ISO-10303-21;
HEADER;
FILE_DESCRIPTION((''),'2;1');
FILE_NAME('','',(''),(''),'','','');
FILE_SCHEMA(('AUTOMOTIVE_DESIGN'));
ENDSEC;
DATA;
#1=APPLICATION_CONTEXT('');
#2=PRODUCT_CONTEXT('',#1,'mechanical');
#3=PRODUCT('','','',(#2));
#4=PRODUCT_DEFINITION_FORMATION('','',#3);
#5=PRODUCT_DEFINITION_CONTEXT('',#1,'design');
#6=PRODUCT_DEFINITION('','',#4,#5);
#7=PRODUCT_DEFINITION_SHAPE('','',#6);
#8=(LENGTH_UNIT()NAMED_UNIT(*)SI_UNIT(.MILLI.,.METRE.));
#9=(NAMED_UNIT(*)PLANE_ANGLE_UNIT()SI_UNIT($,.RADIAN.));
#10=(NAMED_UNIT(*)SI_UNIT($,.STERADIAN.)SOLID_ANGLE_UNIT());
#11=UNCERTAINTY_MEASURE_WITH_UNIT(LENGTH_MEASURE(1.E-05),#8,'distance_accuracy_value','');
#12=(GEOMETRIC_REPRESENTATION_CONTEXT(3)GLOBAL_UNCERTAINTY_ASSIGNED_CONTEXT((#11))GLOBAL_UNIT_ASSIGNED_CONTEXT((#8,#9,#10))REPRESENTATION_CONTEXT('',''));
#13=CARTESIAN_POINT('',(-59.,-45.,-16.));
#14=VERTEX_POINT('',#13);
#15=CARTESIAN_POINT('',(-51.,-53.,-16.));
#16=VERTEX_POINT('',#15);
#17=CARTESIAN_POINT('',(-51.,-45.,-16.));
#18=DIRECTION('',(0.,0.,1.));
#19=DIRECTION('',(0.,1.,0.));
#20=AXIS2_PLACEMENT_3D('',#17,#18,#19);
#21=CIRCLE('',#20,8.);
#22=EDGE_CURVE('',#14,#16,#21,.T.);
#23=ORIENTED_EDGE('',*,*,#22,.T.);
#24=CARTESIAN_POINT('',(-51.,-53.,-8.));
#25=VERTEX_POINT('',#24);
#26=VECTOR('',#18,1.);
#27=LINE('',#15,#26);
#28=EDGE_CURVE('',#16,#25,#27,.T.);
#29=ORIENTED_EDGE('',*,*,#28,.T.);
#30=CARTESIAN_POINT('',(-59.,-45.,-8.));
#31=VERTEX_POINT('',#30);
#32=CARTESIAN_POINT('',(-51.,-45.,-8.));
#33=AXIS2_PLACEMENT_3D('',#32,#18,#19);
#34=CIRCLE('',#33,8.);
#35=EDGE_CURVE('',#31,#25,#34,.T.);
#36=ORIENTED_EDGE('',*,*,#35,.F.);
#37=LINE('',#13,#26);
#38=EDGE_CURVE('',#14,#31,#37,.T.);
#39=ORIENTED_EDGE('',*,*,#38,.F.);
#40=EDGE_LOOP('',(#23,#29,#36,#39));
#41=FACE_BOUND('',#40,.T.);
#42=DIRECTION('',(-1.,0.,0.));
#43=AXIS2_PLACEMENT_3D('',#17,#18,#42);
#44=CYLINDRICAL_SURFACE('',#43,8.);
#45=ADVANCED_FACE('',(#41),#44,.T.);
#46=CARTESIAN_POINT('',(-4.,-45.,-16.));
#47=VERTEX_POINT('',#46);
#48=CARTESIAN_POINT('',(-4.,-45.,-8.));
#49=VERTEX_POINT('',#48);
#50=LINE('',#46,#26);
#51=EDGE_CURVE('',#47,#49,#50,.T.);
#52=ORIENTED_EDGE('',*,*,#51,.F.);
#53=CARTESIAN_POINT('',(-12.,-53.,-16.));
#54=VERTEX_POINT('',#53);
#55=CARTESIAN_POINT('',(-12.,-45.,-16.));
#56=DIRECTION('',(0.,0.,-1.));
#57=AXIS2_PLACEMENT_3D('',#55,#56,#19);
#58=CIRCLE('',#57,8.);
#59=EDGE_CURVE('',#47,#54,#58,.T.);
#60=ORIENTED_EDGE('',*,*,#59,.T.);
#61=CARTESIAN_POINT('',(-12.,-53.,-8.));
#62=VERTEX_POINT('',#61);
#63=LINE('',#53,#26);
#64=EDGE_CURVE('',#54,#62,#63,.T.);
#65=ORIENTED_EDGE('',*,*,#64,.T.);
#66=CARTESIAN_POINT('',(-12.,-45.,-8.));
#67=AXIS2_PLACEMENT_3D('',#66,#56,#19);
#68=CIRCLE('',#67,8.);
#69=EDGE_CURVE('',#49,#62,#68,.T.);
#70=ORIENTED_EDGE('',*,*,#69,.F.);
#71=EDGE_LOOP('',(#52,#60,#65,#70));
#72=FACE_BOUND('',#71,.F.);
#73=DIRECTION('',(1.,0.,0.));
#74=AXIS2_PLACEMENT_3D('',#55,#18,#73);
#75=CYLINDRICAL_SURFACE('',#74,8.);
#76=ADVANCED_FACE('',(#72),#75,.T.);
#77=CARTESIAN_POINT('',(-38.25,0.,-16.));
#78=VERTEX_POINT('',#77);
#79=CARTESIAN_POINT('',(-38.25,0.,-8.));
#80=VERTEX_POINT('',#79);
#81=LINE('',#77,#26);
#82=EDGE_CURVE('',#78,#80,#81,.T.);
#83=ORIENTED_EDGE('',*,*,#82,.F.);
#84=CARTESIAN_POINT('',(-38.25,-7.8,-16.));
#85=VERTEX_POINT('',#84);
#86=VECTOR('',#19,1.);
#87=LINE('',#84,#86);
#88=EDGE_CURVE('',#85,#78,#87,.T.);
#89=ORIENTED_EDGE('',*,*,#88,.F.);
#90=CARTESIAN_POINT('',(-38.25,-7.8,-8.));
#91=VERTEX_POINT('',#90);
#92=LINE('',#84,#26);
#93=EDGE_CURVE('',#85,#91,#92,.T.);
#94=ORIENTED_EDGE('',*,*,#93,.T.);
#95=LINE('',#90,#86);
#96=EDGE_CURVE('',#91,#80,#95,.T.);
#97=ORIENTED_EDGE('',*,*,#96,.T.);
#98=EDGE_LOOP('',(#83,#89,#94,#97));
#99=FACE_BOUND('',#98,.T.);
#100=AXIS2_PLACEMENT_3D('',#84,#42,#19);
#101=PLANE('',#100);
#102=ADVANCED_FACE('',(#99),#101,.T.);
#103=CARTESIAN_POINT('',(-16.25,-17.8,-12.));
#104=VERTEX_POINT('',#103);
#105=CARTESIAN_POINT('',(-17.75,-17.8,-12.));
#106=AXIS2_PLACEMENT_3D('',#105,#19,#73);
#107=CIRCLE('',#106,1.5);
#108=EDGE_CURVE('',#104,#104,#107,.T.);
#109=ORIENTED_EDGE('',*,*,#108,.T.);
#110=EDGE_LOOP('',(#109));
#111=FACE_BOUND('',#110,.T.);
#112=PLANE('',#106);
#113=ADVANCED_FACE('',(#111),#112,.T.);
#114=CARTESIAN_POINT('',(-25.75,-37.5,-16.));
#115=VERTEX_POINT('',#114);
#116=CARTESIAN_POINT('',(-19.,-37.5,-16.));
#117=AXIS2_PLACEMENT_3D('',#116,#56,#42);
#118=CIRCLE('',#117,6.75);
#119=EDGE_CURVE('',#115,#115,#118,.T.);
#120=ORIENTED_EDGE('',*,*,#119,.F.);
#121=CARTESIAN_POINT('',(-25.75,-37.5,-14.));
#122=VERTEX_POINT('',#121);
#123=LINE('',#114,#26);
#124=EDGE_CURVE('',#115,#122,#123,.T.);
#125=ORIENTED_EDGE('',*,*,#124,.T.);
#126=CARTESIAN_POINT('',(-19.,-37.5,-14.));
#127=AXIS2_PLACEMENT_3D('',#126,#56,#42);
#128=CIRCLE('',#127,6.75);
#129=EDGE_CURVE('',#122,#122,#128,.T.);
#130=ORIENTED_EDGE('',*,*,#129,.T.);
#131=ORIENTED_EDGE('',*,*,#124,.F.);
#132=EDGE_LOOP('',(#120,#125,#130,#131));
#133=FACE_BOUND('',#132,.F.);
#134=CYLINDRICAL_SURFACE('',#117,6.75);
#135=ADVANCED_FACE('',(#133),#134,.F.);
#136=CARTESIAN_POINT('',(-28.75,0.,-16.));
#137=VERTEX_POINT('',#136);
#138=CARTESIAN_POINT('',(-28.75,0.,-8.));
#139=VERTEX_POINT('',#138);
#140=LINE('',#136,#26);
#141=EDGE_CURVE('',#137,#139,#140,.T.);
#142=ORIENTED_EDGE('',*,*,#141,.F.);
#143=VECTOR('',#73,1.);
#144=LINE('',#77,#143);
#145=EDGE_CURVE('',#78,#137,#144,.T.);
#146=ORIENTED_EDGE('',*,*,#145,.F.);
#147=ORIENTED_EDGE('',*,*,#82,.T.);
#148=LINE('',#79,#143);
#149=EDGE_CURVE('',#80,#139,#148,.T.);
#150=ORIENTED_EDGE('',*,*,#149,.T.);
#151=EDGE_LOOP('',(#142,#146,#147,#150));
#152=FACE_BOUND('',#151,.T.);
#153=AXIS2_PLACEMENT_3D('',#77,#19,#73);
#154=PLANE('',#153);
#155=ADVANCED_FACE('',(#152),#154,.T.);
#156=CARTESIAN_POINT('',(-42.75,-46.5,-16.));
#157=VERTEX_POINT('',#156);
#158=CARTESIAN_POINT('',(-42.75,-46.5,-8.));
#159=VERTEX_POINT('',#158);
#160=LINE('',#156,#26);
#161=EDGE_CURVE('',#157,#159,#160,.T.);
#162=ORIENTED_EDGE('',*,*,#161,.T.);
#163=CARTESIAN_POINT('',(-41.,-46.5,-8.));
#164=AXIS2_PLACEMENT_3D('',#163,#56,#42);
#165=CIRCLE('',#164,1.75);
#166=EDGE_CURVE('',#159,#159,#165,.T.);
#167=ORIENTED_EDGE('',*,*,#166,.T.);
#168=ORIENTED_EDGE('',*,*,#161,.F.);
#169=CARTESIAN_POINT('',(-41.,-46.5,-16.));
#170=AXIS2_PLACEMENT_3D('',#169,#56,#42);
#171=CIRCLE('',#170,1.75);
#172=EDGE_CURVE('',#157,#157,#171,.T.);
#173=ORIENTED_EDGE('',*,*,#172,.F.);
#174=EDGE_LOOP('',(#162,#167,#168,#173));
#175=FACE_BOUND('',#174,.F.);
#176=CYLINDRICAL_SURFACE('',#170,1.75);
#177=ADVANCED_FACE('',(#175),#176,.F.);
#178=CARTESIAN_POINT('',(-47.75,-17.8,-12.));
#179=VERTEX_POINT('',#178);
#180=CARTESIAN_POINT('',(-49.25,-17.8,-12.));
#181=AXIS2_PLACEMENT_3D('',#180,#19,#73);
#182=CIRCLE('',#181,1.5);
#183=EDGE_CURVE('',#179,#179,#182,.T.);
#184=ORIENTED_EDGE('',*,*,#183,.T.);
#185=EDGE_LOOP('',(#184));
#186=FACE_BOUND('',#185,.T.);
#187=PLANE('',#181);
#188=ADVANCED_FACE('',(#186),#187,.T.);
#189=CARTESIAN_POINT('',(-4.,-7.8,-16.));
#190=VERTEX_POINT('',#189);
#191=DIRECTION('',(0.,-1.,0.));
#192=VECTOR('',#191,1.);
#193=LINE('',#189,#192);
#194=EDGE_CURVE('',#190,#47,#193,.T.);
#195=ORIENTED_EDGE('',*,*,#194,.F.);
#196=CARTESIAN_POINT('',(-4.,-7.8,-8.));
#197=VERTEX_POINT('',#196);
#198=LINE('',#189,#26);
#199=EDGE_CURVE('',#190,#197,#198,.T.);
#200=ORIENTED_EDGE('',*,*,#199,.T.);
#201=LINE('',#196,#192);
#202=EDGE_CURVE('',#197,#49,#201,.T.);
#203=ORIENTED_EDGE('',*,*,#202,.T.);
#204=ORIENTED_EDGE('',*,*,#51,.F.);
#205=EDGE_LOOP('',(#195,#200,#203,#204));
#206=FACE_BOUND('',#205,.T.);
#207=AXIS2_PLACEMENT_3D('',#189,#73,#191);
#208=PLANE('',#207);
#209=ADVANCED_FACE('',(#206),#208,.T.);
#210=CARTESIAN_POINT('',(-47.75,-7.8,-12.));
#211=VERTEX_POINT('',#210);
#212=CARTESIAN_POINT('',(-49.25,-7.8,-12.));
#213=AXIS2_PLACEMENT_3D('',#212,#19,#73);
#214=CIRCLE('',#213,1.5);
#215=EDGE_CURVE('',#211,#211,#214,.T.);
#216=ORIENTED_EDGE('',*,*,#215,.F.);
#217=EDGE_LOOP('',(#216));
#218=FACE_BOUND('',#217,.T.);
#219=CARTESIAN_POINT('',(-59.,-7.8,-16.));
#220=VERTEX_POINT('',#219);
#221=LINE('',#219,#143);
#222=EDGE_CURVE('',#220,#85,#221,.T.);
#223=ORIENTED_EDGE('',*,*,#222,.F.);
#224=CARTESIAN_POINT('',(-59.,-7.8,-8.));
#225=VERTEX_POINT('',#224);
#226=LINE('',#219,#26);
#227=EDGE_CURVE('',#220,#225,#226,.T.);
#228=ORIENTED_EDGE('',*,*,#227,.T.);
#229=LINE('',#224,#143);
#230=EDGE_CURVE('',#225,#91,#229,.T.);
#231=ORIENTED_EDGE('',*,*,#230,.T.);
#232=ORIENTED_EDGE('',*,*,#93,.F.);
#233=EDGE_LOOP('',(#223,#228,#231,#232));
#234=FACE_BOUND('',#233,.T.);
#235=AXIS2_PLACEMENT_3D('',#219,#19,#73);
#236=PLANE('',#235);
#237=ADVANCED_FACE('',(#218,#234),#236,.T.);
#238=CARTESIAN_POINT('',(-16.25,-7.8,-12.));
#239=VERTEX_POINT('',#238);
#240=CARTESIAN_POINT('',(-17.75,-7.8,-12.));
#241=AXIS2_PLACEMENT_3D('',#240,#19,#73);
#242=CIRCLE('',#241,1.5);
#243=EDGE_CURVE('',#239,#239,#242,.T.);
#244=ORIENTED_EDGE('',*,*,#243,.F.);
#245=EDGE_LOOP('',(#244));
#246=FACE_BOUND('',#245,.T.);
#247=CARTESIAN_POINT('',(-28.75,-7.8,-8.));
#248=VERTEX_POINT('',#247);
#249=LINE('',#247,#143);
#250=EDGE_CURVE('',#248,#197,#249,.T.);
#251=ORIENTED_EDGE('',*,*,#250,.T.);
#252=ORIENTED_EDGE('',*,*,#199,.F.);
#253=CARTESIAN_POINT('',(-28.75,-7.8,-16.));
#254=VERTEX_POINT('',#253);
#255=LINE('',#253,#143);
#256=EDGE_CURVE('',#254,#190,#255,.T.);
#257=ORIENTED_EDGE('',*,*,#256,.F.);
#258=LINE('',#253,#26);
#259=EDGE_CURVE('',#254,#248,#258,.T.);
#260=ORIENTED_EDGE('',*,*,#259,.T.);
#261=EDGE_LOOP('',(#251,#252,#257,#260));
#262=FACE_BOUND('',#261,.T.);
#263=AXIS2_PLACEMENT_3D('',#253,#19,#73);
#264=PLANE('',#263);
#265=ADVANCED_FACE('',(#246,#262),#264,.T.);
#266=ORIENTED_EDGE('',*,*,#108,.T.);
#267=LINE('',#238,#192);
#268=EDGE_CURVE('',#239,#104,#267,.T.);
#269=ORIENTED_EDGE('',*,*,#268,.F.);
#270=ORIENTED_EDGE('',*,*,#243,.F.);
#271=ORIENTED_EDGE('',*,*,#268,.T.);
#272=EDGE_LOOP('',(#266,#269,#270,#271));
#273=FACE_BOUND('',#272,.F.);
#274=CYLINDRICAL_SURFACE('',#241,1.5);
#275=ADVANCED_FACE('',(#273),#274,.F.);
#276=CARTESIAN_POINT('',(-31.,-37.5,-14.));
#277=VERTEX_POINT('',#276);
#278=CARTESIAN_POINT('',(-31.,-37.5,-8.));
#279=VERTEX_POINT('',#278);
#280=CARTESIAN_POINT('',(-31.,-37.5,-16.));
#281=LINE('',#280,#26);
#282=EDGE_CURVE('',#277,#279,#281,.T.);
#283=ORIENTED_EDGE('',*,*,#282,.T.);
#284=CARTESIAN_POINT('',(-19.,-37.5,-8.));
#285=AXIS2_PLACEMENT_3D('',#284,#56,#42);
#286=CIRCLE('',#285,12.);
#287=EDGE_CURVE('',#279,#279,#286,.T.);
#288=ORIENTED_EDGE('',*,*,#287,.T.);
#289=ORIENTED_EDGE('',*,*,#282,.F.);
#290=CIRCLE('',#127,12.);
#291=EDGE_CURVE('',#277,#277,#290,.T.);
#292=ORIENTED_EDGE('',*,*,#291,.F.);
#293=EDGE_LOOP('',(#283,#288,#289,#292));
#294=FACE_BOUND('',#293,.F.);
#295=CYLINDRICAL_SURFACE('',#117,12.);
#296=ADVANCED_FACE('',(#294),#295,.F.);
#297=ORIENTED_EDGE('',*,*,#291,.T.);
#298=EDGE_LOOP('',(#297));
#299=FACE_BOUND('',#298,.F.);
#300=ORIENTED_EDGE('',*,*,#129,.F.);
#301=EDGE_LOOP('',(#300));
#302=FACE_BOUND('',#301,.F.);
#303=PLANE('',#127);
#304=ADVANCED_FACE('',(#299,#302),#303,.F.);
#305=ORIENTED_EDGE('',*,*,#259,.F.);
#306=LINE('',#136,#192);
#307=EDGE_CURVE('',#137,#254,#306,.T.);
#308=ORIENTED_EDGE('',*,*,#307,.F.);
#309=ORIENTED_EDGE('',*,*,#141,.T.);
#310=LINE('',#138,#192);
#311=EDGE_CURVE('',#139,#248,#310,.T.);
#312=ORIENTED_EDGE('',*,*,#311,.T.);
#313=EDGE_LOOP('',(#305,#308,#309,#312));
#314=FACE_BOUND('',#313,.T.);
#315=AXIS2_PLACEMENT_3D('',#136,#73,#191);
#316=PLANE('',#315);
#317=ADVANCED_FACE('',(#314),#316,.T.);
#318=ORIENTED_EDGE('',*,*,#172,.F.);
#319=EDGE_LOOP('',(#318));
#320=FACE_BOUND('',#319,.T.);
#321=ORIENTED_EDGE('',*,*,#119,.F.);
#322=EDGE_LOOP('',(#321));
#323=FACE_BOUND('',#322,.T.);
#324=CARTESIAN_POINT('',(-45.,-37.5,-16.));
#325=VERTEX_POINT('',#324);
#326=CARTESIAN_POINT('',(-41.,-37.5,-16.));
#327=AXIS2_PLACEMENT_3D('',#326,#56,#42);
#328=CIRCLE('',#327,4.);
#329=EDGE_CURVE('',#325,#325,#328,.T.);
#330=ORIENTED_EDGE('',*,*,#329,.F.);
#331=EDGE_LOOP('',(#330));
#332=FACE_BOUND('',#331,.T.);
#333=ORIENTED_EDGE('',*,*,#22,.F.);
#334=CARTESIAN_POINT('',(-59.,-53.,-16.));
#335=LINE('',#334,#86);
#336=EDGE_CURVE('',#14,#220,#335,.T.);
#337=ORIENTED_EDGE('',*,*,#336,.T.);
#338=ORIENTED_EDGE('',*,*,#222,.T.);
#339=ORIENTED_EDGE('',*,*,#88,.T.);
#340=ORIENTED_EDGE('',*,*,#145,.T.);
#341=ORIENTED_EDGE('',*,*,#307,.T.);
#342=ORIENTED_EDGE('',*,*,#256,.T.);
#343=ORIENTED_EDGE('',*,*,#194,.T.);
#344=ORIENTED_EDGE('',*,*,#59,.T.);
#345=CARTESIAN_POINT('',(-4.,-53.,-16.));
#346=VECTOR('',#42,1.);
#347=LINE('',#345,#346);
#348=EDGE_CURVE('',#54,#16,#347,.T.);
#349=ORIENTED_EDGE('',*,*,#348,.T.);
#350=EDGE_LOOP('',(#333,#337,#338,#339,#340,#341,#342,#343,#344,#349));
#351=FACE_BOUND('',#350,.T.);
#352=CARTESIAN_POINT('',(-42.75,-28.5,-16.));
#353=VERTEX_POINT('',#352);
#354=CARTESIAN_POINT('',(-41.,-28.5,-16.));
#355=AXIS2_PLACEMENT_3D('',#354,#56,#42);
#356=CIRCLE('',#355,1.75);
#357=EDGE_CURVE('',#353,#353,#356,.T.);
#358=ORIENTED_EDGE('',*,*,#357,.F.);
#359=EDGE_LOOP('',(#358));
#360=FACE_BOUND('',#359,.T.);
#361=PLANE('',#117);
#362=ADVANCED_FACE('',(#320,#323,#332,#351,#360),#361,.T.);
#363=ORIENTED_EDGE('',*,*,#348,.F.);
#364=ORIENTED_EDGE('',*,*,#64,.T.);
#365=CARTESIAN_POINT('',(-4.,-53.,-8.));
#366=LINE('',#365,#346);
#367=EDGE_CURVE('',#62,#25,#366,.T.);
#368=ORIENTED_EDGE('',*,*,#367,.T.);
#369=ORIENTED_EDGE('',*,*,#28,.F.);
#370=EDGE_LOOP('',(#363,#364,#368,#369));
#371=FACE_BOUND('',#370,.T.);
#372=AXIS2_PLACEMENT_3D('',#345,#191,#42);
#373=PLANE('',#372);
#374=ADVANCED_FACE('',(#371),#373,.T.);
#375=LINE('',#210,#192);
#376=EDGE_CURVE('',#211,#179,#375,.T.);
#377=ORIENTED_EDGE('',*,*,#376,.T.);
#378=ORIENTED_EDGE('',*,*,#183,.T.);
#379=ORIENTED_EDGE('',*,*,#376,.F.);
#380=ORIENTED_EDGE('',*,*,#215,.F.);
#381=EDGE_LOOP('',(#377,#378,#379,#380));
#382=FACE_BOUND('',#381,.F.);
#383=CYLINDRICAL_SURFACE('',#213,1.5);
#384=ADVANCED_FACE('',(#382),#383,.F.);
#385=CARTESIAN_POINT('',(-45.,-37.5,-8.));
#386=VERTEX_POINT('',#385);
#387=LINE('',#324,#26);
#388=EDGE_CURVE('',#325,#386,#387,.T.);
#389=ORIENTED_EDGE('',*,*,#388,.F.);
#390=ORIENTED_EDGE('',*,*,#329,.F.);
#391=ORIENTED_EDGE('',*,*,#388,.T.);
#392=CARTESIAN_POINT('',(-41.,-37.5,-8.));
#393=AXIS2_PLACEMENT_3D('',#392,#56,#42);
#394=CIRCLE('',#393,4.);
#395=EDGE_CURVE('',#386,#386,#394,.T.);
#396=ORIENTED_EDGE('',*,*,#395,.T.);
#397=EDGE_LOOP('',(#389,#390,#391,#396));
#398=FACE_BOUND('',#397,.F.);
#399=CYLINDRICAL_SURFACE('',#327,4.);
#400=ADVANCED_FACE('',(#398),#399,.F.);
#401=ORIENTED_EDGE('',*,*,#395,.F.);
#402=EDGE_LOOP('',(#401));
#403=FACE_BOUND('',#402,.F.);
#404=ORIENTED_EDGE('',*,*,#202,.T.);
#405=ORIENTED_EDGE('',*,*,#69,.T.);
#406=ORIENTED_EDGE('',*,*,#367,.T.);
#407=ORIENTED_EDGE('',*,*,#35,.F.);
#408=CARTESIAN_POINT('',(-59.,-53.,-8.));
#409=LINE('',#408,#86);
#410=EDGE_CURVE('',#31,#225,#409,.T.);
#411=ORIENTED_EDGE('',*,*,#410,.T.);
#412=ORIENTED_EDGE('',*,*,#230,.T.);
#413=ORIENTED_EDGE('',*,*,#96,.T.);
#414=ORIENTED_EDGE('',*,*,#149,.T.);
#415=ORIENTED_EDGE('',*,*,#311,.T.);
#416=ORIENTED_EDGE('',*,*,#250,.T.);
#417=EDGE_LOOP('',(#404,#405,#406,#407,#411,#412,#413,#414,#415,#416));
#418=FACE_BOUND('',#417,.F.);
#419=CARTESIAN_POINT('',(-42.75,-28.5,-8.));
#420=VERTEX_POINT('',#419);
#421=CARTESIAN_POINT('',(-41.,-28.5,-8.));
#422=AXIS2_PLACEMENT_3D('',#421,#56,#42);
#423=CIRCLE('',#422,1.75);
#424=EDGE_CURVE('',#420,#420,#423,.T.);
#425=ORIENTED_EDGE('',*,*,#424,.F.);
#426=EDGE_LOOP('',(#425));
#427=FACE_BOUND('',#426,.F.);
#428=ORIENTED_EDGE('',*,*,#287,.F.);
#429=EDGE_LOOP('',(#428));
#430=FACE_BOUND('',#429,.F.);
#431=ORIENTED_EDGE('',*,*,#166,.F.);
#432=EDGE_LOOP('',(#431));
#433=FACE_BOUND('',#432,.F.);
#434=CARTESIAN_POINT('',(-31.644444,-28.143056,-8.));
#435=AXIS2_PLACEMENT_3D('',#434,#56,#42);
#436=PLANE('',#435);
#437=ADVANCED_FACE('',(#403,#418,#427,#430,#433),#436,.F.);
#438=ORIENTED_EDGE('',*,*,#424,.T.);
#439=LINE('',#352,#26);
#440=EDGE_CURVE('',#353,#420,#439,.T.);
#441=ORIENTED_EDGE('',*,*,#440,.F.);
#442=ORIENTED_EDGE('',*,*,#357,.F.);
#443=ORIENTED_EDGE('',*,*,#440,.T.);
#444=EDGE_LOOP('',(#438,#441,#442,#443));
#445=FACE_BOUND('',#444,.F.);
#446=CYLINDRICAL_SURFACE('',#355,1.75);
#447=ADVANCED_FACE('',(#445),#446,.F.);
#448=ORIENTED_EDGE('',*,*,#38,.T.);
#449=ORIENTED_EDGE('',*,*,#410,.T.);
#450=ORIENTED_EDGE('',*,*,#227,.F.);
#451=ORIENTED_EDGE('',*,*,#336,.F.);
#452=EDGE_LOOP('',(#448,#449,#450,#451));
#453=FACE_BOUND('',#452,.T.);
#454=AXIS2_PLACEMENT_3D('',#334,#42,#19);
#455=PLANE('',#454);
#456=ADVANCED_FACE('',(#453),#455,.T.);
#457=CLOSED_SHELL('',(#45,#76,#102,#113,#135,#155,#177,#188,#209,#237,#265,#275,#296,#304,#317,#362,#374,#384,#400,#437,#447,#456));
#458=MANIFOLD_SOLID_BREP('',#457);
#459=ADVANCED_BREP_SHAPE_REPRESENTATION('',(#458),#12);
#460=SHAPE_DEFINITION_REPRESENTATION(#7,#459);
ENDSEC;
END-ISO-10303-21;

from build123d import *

# Parameters (mm, degrees)
F0_R     = 12
F0_R_2   = 1.75
F0_R_3   = 4
F1_DEPTH = 8
F0_R_4   = 6.75
F2_DEPTH = 2
F3_R     = 8
F4_R     = 1.5
F5_DEPTH = 10
F6_ANGLE = 180


with BuildPart() as f1:
    # F0 (on Top) → F1 (new body)
    with BuildSketch(Plane.XY):
        Polygon((30.25, 0), (20.75, 0), (20.75, -7.8), (0, -7.8), (-4, -7.8), (-4, -53), (0, -53), (51, -53), (51, -7.8), (30.25, -7.8), align=None)
        with Locations((11, -37.5)):
            Circle(F0_R, mode=Mode.SUBTRACT)
        with Locations((33, -46.5)):
            Circle(F0_R_2, mode=Mode.SUBTRACT)
        with Locations((33, -37.5)):
            Circle(F0_R_3, mode=Mode.SUBTRACT)
        with Locations((33, -28.5)):
            Circle(F0_R_2, mode=Mode.SUBTRACT)
    extrude(amount=-F1_DEPTH)

    # F0 (on Top) → F2 (join)
    with BuildSketch(Plane.XY):
        with Locations((11, -37.5)):
            Circle(F0_R)
        with Locations((11, -37.5)):
            Circle(F0_R_4, mode=Mode.SUBTRACT)
    extrude(amount=-F2_DEPTH)

    # F3
    f3_edges = [f1.edges().sort_by_distance(p)[0] for p in [
        (-4, -53, -4),
        (51, -53, -4),
    ]]
    fillet(f3_edges, radius=F3_R)

    # F4 (on face) → F5 (cut)
    with BuildSketch(Plane(origin=(0, -7.8, 0), x_dir=(-1, 0, 0), z_dir=(0, 1, 0))):
        with Locations((-41.25, -4)):
            Circle(F4_R)
        with Locations((-9.75, -4)):
            Circle(F4_R)
    extrude(amount=-F5_DEPTH, mode=Mode.SUBTRACT)


with BuildPart() as f1_1:
    # F6: moved
    add(f1.part.rotate(Axis((-4, -26.4, -8), (0, 1, 0)), F6_ANGLE))


solid = f1_1.part
